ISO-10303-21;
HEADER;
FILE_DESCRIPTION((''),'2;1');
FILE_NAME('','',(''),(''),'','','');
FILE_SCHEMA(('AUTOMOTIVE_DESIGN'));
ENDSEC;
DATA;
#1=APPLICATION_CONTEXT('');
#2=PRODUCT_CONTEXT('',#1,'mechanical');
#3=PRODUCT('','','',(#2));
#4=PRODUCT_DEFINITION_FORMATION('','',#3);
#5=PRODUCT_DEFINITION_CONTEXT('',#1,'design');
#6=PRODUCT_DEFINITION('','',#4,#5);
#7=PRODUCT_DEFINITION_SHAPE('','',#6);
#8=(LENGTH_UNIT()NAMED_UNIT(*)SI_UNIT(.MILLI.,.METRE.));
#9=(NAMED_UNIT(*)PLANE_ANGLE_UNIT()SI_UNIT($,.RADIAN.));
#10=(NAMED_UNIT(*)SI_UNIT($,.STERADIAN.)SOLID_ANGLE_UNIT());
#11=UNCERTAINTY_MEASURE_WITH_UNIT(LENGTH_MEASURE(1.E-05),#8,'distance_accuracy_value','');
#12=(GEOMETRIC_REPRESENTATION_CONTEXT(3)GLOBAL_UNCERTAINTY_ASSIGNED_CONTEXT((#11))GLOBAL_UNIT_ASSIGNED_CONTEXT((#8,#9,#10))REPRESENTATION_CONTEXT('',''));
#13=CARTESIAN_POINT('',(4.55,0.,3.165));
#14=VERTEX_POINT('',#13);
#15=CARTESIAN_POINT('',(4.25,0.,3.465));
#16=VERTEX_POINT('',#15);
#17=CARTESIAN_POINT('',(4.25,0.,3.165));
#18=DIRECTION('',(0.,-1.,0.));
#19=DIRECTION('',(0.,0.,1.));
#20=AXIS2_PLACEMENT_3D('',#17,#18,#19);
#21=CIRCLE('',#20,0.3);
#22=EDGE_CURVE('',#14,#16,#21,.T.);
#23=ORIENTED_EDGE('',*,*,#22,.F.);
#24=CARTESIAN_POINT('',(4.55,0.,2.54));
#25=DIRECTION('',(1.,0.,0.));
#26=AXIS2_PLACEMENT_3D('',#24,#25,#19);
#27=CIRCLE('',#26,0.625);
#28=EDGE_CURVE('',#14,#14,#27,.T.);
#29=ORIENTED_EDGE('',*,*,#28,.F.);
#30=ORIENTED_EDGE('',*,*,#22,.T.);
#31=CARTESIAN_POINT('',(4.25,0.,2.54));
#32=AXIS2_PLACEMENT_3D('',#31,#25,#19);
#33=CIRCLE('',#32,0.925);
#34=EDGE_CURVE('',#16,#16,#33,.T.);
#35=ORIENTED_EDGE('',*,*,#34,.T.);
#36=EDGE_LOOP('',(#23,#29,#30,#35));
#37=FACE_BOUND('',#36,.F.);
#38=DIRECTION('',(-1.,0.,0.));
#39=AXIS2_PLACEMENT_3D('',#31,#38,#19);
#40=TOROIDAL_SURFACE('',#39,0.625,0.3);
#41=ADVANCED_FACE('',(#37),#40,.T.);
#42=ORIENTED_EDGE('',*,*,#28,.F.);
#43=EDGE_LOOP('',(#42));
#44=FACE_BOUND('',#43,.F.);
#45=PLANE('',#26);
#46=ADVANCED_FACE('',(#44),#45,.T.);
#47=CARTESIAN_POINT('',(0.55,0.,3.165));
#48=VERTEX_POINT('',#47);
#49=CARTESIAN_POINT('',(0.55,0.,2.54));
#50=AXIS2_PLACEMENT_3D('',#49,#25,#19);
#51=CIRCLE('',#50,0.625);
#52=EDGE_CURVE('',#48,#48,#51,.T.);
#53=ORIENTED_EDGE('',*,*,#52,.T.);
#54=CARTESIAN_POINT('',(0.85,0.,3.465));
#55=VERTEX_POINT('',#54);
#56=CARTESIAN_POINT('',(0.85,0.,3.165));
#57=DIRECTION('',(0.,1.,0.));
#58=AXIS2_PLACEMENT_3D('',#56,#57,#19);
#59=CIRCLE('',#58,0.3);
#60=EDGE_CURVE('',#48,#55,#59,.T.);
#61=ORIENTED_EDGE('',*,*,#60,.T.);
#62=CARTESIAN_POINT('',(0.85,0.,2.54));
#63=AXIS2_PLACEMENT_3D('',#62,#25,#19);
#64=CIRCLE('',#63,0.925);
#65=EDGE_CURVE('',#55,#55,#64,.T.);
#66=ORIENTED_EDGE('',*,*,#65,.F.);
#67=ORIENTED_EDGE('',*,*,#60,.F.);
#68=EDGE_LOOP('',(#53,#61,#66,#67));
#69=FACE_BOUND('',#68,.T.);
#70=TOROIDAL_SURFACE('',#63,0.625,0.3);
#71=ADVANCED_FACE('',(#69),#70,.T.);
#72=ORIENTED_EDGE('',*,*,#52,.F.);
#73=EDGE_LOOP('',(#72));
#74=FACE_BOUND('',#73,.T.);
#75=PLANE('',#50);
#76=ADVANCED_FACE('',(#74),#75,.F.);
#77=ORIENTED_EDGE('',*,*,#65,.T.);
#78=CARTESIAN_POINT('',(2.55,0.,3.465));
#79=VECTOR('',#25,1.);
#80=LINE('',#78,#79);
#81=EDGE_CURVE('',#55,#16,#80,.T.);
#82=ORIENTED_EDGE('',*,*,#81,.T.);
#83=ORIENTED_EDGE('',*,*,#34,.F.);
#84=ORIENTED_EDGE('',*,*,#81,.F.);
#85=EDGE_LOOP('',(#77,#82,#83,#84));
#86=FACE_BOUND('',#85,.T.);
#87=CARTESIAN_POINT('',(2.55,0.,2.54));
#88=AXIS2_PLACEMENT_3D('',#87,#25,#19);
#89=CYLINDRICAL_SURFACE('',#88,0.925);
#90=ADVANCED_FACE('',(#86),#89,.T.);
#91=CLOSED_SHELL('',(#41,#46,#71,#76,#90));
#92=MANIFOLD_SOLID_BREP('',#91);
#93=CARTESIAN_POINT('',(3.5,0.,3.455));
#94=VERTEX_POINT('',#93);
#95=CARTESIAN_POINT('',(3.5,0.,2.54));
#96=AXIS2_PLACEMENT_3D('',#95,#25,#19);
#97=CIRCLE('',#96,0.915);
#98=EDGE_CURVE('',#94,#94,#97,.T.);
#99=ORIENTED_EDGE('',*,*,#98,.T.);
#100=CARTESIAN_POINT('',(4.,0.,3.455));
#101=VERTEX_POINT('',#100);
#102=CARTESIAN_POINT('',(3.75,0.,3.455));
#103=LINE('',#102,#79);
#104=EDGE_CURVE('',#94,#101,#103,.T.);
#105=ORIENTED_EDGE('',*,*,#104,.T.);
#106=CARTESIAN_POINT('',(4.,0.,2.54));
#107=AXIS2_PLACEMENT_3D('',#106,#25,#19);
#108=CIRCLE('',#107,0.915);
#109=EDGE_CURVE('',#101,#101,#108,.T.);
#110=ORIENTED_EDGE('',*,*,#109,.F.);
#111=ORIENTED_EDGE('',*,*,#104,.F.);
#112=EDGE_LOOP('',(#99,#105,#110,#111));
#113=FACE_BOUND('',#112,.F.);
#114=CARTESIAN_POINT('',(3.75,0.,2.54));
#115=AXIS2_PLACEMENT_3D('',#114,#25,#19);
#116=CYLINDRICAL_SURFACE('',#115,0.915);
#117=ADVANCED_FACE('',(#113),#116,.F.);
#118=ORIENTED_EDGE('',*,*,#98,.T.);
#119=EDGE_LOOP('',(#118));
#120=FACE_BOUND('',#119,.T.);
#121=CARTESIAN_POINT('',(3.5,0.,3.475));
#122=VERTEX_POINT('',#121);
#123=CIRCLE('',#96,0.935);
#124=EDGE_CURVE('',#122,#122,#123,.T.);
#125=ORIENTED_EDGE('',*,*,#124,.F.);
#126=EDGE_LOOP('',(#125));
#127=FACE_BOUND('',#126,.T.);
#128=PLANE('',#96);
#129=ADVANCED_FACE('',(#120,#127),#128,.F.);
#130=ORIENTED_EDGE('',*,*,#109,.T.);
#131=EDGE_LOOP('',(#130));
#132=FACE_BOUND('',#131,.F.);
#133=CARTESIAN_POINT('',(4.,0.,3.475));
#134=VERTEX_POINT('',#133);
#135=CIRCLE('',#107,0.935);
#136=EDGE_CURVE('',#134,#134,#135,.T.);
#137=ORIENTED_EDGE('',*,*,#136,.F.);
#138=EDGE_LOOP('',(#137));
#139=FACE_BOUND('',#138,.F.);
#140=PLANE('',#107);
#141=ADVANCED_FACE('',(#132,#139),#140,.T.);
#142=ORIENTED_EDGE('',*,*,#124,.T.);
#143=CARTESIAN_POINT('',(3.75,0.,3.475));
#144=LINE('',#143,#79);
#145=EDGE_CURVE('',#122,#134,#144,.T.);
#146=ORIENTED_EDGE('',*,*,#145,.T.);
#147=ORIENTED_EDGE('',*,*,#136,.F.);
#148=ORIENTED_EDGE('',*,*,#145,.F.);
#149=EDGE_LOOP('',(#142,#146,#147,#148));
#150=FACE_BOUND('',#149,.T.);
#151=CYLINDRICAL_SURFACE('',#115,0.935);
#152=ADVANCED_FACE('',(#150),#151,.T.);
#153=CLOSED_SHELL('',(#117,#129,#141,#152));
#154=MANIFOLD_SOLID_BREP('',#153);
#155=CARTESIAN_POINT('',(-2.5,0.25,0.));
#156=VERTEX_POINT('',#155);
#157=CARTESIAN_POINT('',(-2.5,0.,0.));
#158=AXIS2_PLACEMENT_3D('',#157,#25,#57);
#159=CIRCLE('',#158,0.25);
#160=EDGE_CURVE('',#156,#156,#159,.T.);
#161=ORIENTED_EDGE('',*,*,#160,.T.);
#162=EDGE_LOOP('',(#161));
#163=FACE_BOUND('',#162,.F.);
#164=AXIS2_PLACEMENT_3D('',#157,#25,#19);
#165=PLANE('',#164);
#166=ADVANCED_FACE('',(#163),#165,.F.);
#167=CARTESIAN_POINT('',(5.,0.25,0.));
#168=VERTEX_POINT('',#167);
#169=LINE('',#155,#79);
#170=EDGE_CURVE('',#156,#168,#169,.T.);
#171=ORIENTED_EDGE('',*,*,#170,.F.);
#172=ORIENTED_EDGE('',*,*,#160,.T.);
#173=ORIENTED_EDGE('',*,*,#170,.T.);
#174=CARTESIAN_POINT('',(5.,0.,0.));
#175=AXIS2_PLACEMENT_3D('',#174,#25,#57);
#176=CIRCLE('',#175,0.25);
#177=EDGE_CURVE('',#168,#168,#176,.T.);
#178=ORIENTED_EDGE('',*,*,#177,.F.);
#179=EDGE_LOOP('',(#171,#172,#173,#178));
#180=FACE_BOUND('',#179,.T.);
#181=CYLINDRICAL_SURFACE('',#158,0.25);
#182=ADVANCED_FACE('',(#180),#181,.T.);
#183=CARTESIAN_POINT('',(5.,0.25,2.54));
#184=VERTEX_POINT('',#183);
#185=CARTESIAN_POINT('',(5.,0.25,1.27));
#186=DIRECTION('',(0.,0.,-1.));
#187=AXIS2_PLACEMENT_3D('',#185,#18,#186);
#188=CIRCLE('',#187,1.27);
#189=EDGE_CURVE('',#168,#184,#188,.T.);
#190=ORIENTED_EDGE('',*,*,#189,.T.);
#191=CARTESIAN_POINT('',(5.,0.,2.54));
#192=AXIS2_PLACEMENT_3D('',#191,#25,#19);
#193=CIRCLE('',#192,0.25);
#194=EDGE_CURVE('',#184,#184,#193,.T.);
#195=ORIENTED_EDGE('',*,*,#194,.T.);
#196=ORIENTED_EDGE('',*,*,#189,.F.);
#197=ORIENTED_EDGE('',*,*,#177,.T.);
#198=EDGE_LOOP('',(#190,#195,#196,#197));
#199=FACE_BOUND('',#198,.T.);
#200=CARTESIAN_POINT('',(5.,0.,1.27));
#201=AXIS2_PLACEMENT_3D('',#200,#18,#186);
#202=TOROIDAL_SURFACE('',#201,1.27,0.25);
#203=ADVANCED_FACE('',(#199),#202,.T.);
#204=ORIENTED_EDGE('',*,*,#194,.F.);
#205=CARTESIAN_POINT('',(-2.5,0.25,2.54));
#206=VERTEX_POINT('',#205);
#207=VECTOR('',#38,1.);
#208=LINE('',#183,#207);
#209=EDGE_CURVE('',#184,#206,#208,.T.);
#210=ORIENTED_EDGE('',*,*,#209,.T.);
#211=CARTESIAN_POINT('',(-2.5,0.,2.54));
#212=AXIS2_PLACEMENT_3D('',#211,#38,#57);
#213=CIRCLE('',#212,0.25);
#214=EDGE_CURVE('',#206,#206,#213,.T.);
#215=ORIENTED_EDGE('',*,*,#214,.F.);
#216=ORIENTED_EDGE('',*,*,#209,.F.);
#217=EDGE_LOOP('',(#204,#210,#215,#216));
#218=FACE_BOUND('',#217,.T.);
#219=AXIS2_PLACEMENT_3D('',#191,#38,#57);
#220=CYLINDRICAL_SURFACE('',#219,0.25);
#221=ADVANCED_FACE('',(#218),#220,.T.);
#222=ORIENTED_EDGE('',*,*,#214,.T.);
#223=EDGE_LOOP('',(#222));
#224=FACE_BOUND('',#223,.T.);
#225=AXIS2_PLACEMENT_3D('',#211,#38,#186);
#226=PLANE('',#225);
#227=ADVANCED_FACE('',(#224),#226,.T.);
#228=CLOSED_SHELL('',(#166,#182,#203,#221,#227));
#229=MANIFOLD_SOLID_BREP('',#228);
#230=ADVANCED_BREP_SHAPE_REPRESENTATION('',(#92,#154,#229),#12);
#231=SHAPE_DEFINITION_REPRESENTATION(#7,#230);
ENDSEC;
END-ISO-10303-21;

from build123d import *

# Parameters (mm, degrees)
SKETCH_R    = 0.25
SKETCH002_W = 4
SKETCH002_H = 0.925
FILLET_R    = 0.3
SKETCH003_W = 0.5
SKETCH003_H = 0.02


with BuildPart() as sweep_body:
    # Sweep: sweep along a path in Sketch001
    with BuildLine(Plane.XZ) as sweep_path:
        Line((-2.5, 0), (5, 0))
        ThreePointArc((5, 0), (6.27, 1.27), (5, 2.54))
        Line((5, 2.54), (-2.5, 2.54))
    # Sketch → Sweep (sweep)
    with BuildSketch(Plane.YZ.offset(-2.5)):
        Circle(SKETCH_R)
    sweep(path=sweep_path.line, is_frenet=True)


with BuildPart() as fillet_body:
    # Sketch002 → Revolution (revolve)
    with BuildSketch(Plane.XZ):
        with Locations((2.55, 3.0025)):
            Rectangle(SKETCH002_W, SKETCH002_H)
    revolve(axis=Axis((0.55, 0, 2.54), (1, 0, 0)))

    # Fillet
    fillet_edges = [fillet_body.edges().sort_by_distance(p)[0] for p in [
        (0.55, 0, 1.615),
        (4.55, 0, 1.615),
    ]]
    fillet(fillet_edges, radius=FILLET_R)


with BuildPart() as revolution001:
    # Sketch003 → Revolution001 (revolve)
    with BuildSketch(Plane.XZ):
        with Locations((3.75, 3.465)):
            Rectangle(SKETCH003_W, SKETCH003_H)
    revolve(axis=Axis((0, 0, 2.54), (1, 0, 0)))


solid = Compound([sweep_body.part, fillet_body.part, revolution001.part])
